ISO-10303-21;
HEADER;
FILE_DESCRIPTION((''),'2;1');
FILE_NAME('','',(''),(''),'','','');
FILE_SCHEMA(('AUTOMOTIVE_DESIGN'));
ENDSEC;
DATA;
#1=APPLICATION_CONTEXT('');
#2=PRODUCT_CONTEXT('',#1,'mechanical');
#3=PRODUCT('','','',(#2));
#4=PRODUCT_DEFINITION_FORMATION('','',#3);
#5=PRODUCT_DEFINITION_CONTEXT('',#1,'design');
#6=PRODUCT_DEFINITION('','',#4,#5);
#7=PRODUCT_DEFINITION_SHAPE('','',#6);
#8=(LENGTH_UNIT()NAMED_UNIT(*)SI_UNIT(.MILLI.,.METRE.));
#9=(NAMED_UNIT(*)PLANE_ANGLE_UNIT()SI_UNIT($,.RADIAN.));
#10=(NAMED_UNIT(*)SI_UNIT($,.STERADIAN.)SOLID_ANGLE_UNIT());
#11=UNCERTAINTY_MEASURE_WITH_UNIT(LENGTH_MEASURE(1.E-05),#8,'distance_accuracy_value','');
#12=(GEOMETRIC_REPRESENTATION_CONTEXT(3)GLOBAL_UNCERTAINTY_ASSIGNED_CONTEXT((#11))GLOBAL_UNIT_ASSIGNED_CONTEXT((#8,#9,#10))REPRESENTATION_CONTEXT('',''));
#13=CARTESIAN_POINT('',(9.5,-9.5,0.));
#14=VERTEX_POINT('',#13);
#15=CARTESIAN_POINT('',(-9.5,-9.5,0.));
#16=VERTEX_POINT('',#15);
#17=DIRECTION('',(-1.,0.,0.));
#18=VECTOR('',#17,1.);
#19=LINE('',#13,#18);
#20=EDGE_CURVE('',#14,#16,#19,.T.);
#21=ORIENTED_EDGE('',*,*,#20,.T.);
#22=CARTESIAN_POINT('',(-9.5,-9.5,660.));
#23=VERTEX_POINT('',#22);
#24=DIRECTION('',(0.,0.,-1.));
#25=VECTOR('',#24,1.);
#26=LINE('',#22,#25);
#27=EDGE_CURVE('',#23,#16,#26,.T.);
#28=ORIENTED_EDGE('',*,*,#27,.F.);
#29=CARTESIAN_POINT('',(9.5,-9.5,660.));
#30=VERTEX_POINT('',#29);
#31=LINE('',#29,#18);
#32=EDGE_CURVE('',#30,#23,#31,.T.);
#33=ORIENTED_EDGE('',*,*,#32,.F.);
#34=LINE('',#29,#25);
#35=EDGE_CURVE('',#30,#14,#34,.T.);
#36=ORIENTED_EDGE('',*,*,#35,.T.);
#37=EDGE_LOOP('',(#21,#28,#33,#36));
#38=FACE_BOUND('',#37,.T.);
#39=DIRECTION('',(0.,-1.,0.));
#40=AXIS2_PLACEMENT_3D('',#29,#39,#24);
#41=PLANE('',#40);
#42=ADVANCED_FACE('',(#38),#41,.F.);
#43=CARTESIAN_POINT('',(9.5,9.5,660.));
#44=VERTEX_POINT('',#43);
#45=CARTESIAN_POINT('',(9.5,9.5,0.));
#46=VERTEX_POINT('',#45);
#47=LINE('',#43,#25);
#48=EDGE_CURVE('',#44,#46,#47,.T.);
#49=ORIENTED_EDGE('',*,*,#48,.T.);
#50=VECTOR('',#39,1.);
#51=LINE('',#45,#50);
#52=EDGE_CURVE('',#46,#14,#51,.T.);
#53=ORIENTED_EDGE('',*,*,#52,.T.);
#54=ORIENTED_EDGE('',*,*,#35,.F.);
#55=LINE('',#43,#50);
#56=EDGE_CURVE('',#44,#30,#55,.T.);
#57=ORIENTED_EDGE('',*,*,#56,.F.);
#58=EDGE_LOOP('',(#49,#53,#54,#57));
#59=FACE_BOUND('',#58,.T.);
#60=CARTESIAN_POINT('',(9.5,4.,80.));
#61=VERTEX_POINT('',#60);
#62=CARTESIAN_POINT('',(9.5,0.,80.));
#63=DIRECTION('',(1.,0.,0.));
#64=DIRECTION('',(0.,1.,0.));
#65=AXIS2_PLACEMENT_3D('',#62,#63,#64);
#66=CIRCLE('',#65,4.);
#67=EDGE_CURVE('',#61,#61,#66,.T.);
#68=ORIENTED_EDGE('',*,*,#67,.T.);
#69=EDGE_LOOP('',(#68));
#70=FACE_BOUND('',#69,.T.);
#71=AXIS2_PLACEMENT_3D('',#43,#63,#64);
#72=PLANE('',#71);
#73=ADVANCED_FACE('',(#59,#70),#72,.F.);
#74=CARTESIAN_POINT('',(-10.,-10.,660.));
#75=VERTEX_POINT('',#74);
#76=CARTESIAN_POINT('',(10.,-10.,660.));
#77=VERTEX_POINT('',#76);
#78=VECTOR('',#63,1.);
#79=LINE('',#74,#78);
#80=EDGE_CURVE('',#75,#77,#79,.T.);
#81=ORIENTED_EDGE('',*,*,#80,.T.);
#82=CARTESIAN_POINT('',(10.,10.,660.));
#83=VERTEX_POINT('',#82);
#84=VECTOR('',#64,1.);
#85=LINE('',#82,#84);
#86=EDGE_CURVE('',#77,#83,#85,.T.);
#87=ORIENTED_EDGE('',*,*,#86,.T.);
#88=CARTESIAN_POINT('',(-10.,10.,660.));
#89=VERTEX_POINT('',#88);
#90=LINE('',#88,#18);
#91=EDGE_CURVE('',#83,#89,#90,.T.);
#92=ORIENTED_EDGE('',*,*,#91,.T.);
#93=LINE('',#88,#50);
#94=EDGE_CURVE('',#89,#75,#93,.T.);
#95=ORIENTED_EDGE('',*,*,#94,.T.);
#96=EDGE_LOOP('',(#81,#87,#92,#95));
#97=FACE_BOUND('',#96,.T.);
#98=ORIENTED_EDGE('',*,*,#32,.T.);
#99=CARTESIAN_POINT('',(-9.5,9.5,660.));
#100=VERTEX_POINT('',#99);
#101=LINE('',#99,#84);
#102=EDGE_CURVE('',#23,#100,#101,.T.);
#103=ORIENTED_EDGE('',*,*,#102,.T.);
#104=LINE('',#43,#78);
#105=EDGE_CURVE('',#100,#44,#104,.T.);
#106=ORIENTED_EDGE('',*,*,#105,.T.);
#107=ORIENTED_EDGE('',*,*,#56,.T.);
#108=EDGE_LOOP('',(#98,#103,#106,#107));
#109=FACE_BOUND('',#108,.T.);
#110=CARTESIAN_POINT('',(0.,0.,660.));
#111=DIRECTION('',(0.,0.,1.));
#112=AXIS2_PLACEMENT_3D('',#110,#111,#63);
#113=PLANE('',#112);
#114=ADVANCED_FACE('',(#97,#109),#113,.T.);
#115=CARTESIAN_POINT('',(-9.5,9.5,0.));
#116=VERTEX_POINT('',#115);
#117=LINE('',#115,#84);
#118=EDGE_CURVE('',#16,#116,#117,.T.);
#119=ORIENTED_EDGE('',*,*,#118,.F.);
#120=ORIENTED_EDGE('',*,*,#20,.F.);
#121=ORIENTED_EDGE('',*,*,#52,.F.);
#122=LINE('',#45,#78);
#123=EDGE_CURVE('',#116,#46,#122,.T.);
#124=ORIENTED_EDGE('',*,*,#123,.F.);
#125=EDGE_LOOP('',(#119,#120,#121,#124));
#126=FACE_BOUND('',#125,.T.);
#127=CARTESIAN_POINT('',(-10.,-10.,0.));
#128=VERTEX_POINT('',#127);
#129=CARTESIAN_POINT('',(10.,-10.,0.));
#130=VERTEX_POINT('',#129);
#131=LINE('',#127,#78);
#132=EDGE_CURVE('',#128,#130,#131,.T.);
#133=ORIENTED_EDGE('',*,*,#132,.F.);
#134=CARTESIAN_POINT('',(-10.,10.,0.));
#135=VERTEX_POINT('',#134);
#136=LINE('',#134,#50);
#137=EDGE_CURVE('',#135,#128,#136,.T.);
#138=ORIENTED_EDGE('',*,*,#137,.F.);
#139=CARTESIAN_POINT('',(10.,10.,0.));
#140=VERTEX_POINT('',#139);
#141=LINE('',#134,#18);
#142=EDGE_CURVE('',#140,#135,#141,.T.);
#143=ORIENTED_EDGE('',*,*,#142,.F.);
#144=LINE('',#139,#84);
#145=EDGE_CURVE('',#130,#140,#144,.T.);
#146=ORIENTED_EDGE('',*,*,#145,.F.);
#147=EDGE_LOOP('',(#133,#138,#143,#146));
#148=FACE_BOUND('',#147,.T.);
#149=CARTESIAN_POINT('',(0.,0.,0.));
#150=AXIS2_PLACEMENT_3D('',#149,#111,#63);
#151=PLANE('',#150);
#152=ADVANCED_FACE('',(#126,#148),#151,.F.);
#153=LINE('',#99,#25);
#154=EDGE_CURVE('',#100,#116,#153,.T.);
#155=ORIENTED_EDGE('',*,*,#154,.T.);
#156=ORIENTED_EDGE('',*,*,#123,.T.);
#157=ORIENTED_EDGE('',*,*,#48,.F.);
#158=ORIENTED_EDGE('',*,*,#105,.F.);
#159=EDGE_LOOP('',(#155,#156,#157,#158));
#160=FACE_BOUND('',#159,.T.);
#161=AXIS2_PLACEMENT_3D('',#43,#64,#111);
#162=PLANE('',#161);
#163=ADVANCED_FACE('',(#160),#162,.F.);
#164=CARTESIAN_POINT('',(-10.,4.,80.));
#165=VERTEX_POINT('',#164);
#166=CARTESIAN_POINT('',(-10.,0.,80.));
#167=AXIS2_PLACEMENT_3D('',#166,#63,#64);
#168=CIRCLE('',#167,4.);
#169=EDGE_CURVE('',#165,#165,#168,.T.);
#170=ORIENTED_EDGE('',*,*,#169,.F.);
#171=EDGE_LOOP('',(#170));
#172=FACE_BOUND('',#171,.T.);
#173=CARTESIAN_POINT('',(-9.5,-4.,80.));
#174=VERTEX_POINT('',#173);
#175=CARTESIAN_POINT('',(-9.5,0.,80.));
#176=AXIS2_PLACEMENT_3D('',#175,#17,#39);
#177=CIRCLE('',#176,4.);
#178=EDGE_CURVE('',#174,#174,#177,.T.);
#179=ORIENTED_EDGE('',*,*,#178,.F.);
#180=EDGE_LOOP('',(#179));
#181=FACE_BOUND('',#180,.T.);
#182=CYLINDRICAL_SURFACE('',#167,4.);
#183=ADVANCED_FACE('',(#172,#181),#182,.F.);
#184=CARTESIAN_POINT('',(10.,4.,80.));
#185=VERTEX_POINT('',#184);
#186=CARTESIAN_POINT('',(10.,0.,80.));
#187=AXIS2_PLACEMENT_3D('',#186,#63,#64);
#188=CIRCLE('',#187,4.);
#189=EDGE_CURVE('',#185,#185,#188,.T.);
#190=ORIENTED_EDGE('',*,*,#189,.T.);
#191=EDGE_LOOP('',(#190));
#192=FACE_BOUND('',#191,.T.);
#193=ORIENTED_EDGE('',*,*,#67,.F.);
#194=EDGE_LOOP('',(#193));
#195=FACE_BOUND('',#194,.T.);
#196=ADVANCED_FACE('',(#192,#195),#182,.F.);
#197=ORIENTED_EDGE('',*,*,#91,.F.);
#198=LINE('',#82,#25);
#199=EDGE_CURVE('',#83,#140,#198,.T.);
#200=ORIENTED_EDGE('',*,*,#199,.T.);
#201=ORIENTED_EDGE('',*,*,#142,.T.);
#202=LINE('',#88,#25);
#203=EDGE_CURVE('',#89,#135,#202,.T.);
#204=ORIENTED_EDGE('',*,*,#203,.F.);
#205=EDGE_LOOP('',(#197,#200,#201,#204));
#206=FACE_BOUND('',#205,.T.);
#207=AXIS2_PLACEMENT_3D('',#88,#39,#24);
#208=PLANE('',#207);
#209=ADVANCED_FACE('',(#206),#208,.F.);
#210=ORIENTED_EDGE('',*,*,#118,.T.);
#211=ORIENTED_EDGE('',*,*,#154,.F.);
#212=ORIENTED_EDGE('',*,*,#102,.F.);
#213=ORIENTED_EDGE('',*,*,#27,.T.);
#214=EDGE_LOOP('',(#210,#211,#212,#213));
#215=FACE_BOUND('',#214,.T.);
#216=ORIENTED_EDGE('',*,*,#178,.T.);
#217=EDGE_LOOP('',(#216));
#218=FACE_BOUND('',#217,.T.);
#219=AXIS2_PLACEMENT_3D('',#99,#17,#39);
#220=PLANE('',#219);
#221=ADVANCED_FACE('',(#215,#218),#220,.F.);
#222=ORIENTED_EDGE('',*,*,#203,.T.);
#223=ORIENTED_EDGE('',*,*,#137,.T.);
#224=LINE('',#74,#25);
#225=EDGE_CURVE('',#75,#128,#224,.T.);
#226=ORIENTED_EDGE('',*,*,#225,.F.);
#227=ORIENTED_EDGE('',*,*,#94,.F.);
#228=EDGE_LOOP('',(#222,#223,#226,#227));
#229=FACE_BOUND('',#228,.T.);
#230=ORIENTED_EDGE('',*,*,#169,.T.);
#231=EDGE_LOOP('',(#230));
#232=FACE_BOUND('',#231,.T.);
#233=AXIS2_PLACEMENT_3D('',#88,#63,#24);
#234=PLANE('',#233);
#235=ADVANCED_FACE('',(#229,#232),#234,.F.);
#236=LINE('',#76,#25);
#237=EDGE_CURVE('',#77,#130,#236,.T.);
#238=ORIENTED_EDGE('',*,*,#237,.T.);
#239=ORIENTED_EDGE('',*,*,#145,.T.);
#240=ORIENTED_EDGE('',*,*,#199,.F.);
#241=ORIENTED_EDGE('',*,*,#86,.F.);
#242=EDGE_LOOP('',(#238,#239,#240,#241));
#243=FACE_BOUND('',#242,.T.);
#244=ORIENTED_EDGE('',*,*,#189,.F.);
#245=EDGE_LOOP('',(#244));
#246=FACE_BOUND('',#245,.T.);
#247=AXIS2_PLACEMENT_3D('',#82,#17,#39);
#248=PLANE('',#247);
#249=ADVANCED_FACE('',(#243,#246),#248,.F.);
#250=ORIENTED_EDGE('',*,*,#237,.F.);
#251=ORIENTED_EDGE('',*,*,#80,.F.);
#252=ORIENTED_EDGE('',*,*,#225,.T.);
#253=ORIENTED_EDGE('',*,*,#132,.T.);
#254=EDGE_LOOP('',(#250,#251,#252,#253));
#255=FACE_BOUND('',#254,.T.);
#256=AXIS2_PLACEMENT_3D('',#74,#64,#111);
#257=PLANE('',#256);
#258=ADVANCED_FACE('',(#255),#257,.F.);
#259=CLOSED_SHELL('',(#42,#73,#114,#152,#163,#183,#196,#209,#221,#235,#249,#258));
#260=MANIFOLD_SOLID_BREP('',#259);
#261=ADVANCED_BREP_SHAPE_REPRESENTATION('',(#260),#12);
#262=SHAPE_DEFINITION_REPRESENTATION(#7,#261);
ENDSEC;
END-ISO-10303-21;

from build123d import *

# Parameters (mm, degrees)
SKETCH1_W           = 20
SKETCH1_H           = 20
BOSS_EXTRUDE1_DEPTH = 660
SKETCH2_W           = 19
SKETCH2_H           = 19
CUT_EXTRUDE1_DEPTH  = 660
SKETCH3_R           = 4
CUT_EXTRUDE2_DEPTH  = 20


with BuildPart() as part:
    # Sketch1 → Boss-Extrude1 (new body)
    with BuildSketch(Plane.XY):
        Rectangle(SKETCH1_W, SKETCH1_H)
    extrude(amount=BOSS_EXTRUDE1_DEPTH)

    # Sketch2 → Cut-Extrude1 (cut)
    with BuildSketch(Plane(origin=(0, 0, 0), x_dir=(-1, 0, 0), z_dir=(0, 0, -1))):
        Rectangle(SKETCH2_W, SKETCH2_H)
    extrude(amount=-CUT_EXTRUDE1_DEPTH, mode=Mode.SUBTRACT)

    # Sketch3 → Cut-Extrude2 (cut)
    with BuildSketch(Plane(origin=(10, 0, 0), x_dir=(0, 0, -1), z_dir=(1, 0, 0))):
        with Locations(Location((-80, 0, 0), (0, 0, 90))):
            Circle(SKETCH3_R)
    extrude(amount=-CUT_EXTRUDE2_DEPTH, mode=Mode.SUBTRACT)


solid = part.part
